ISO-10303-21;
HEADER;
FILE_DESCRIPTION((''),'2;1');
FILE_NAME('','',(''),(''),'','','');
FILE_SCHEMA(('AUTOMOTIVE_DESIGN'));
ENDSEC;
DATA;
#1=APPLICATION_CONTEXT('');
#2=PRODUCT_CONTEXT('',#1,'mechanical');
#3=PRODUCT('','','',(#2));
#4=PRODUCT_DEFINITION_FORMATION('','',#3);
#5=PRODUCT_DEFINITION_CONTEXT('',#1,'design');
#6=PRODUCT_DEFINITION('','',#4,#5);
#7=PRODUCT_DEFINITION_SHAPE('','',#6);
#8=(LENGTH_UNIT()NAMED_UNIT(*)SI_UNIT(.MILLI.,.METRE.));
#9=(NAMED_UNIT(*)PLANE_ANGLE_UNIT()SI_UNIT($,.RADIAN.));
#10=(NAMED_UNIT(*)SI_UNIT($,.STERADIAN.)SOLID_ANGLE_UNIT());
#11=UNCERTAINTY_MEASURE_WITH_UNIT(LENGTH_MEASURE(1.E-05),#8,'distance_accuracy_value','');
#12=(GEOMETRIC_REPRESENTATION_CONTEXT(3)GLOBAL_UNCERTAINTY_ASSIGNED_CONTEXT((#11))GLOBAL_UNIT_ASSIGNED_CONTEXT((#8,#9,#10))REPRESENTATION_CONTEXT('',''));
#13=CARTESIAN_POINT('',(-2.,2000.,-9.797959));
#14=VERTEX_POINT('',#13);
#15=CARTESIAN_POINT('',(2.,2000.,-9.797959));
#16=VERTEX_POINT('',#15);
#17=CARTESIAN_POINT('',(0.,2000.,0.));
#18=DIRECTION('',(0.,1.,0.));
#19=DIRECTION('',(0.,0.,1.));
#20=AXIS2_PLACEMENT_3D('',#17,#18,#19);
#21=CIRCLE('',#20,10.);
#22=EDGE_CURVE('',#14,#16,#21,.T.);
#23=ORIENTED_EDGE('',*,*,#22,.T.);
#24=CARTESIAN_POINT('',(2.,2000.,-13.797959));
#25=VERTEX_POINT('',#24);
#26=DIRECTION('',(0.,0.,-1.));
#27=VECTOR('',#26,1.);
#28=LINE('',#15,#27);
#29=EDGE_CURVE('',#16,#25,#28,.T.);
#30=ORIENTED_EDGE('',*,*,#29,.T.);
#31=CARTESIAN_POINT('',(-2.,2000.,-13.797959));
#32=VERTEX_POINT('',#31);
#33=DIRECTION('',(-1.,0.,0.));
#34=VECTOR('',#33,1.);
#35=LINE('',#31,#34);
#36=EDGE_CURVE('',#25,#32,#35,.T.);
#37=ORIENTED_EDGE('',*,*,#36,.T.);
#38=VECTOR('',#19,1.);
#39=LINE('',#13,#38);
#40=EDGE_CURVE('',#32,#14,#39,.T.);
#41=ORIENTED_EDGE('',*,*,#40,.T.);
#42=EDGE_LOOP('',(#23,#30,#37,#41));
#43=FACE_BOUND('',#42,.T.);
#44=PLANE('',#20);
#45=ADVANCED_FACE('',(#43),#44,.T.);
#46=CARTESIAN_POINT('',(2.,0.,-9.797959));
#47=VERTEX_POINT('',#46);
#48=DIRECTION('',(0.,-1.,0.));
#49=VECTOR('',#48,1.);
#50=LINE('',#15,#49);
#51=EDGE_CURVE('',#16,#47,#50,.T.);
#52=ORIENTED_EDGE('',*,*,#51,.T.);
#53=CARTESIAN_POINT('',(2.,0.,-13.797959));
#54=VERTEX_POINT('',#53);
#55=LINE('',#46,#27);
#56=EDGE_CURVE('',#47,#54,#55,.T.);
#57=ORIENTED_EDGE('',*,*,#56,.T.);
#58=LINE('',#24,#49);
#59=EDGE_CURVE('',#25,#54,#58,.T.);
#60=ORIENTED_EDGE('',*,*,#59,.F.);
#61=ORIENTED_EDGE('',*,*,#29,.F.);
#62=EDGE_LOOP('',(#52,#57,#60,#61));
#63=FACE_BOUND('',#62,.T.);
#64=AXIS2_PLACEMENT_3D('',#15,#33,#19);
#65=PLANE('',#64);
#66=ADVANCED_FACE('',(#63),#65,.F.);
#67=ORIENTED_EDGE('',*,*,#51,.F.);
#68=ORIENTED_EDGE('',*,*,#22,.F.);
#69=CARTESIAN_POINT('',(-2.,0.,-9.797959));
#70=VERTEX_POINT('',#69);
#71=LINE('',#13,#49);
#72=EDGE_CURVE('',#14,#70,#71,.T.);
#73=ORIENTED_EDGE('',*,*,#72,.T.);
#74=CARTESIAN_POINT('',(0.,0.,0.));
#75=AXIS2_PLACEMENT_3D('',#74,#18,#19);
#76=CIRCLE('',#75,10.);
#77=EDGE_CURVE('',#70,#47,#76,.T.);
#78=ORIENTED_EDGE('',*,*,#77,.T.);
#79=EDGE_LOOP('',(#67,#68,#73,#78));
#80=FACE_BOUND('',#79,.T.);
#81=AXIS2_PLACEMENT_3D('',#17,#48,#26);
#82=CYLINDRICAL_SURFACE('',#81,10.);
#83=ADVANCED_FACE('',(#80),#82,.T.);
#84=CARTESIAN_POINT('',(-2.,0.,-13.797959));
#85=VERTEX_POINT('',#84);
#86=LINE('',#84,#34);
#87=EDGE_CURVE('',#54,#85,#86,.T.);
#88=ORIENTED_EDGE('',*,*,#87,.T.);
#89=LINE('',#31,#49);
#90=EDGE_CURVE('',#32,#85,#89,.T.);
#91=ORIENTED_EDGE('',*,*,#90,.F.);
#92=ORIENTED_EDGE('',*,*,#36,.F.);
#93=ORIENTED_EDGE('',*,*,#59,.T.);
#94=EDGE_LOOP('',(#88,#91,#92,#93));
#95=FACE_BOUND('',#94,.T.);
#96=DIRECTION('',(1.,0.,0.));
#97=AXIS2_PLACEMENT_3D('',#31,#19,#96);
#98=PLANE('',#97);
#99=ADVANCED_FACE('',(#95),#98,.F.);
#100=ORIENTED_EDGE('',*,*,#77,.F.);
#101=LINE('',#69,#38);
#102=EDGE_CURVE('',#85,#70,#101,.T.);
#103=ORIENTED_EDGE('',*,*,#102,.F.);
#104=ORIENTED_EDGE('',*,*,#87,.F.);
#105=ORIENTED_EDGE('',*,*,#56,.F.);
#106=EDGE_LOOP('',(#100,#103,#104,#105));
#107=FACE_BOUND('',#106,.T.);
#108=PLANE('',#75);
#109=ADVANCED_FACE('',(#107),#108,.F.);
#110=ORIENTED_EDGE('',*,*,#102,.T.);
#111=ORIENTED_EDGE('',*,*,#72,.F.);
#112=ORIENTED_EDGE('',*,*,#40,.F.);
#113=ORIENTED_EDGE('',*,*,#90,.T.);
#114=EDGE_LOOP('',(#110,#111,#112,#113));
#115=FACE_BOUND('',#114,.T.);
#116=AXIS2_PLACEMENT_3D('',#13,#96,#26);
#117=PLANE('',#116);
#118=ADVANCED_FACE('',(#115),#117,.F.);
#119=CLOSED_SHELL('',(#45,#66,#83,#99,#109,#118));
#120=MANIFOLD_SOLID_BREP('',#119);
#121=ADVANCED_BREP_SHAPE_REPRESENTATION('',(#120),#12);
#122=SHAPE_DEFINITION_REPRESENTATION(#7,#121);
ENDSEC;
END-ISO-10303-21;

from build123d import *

# Parameters (mm, degrees)
EXTRUDE_1_DEPTH = 2000


with BuildPart() as part:
    # 草图1 → 凸台-拉伸1 (new body)
    with BuildSketch(Plane(origin=(0, 0, 0), x_dir=(1, 0, 0), z_dir=(0, 1, 0))):
        with BuildLine():
            Line((-2, 9.797958971), (-2, 13.797958971))
            Line((-2, 13.797958971), (2, 13.797958971))
            Line((2, 13.797958971), (2, 9.797958971))
            ThreePointArc((2, 9.797958971), (0, -10), (-2, 9.797958971))
        make_face()
    extrude(amount=EXTRUDE_1_DEPTH)


solid = part.part
